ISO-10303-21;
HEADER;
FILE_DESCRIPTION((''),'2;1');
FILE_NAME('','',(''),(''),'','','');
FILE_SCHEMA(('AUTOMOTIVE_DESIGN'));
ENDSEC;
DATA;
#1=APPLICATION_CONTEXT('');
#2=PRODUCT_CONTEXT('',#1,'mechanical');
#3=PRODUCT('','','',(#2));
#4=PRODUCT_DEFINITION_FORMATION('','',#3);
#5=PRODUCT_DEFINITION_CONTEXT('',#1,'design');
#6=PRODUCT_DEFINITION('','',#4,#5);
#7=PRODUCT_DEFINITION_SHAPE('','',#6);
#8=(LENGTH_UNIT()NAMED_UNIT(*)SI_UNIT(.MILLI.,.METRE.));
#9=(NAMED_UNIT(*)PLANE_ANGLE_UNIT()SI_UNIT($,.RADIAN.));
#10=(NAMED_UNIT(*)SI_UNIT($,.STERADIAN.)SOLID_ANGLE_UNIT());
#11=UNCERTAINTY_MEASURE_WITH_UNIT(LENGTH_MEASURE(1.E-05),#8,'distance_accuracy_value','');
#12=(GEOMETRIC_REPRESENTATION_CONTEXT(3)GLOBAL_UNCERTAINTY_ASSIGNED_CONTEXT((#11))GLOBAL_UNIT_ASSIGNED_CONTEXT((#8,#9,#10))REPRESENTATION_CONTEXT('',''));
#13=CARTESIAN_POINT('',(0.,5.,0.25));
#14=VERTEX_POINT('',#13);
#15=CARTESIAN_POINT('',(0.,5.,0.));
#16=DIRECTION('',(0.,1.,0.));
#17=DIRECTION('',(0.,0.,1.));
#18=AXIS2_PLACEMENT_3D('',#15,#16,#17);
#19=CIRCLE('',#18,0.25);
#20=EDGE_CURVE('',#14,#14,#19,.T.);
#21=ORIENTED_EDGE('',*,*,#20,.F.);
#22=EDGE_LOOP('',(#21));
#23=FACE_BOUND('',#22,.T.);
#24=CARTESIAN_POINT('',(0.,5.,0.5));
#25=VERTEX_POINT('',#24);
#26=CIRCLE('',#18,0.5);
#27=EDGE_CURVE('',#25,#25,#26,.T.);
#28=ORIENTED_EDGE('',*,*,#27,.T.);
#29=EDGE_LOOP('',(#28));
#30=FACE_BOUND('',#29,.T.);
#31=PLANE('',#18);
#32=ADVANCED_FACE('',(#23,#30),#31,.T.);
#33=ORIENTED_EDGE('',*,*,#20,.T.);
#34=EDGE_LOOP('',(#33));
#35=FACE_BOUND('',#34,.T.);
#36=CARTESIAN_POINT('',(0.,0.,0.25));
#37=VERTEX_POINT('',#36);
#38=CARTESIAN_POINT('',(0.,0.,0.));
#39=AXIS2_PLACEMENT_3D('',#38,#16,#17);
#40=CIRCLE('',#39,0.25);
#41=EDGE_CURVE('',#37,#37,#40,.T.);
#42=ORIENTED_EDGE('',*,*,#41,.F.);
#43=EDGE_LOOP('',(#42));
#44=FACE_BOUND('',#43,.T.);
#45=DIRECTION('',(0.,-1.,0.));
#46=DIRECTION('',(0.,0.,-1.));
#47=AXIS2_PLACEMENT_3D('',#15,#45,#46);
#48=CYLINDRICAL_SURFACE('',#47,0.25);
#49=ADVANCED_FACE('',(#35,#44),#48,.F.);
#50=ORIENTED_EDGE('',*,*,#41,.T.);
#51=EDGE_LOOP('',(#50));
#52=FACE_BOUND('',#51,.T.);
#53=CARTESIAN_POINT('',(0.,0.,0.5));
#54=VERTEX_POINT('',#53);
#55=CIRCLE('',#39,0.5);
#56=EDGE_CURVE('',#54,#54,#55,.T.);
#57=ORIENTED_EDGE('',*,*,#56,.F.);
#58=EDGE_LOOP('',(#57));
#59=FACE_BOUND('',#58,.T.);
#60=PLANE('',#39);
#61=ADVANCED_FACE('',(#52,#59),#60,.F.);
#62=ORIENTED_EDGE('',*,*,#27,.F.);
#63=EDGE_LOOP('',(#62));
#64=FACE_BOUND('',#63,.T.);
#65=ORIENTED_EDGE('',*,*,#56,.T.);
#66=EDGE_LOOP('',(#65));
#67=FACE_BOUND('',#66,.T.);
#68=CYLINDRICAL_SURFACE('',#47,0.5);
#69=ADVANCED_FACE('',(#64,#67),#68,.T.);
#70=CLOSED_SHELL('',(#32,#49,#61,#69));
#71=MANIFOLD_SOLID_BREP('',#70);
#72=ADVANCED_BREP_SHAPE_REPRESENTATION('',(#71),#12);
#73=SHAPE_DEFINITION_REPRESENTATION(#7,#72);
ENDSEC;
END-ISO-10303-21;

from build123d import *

# Parameters (mm, degrees)
CROQUIS1_R              = 0.5
CROQUIS1_R_2            = 0.25
SALIENTE_EXTRUIR1_DEPTH = 5


with BuildPart() as part:
    # Croquis1 → Saliente-Extruir1 (new body)
    with BuildSketch(Plane(origin=(0, 0, 0), x_dir=(1, 0, 0), z_dir=(0, 1, 0))):
        Circle(CROQUIS1_R)
        Circle(CROQUIS1_R_2, mode=Mode.SUBTRACT)
    extrude(amount=SALIENTE_EXTRUIR1_DEPTH)


solid = part.part
